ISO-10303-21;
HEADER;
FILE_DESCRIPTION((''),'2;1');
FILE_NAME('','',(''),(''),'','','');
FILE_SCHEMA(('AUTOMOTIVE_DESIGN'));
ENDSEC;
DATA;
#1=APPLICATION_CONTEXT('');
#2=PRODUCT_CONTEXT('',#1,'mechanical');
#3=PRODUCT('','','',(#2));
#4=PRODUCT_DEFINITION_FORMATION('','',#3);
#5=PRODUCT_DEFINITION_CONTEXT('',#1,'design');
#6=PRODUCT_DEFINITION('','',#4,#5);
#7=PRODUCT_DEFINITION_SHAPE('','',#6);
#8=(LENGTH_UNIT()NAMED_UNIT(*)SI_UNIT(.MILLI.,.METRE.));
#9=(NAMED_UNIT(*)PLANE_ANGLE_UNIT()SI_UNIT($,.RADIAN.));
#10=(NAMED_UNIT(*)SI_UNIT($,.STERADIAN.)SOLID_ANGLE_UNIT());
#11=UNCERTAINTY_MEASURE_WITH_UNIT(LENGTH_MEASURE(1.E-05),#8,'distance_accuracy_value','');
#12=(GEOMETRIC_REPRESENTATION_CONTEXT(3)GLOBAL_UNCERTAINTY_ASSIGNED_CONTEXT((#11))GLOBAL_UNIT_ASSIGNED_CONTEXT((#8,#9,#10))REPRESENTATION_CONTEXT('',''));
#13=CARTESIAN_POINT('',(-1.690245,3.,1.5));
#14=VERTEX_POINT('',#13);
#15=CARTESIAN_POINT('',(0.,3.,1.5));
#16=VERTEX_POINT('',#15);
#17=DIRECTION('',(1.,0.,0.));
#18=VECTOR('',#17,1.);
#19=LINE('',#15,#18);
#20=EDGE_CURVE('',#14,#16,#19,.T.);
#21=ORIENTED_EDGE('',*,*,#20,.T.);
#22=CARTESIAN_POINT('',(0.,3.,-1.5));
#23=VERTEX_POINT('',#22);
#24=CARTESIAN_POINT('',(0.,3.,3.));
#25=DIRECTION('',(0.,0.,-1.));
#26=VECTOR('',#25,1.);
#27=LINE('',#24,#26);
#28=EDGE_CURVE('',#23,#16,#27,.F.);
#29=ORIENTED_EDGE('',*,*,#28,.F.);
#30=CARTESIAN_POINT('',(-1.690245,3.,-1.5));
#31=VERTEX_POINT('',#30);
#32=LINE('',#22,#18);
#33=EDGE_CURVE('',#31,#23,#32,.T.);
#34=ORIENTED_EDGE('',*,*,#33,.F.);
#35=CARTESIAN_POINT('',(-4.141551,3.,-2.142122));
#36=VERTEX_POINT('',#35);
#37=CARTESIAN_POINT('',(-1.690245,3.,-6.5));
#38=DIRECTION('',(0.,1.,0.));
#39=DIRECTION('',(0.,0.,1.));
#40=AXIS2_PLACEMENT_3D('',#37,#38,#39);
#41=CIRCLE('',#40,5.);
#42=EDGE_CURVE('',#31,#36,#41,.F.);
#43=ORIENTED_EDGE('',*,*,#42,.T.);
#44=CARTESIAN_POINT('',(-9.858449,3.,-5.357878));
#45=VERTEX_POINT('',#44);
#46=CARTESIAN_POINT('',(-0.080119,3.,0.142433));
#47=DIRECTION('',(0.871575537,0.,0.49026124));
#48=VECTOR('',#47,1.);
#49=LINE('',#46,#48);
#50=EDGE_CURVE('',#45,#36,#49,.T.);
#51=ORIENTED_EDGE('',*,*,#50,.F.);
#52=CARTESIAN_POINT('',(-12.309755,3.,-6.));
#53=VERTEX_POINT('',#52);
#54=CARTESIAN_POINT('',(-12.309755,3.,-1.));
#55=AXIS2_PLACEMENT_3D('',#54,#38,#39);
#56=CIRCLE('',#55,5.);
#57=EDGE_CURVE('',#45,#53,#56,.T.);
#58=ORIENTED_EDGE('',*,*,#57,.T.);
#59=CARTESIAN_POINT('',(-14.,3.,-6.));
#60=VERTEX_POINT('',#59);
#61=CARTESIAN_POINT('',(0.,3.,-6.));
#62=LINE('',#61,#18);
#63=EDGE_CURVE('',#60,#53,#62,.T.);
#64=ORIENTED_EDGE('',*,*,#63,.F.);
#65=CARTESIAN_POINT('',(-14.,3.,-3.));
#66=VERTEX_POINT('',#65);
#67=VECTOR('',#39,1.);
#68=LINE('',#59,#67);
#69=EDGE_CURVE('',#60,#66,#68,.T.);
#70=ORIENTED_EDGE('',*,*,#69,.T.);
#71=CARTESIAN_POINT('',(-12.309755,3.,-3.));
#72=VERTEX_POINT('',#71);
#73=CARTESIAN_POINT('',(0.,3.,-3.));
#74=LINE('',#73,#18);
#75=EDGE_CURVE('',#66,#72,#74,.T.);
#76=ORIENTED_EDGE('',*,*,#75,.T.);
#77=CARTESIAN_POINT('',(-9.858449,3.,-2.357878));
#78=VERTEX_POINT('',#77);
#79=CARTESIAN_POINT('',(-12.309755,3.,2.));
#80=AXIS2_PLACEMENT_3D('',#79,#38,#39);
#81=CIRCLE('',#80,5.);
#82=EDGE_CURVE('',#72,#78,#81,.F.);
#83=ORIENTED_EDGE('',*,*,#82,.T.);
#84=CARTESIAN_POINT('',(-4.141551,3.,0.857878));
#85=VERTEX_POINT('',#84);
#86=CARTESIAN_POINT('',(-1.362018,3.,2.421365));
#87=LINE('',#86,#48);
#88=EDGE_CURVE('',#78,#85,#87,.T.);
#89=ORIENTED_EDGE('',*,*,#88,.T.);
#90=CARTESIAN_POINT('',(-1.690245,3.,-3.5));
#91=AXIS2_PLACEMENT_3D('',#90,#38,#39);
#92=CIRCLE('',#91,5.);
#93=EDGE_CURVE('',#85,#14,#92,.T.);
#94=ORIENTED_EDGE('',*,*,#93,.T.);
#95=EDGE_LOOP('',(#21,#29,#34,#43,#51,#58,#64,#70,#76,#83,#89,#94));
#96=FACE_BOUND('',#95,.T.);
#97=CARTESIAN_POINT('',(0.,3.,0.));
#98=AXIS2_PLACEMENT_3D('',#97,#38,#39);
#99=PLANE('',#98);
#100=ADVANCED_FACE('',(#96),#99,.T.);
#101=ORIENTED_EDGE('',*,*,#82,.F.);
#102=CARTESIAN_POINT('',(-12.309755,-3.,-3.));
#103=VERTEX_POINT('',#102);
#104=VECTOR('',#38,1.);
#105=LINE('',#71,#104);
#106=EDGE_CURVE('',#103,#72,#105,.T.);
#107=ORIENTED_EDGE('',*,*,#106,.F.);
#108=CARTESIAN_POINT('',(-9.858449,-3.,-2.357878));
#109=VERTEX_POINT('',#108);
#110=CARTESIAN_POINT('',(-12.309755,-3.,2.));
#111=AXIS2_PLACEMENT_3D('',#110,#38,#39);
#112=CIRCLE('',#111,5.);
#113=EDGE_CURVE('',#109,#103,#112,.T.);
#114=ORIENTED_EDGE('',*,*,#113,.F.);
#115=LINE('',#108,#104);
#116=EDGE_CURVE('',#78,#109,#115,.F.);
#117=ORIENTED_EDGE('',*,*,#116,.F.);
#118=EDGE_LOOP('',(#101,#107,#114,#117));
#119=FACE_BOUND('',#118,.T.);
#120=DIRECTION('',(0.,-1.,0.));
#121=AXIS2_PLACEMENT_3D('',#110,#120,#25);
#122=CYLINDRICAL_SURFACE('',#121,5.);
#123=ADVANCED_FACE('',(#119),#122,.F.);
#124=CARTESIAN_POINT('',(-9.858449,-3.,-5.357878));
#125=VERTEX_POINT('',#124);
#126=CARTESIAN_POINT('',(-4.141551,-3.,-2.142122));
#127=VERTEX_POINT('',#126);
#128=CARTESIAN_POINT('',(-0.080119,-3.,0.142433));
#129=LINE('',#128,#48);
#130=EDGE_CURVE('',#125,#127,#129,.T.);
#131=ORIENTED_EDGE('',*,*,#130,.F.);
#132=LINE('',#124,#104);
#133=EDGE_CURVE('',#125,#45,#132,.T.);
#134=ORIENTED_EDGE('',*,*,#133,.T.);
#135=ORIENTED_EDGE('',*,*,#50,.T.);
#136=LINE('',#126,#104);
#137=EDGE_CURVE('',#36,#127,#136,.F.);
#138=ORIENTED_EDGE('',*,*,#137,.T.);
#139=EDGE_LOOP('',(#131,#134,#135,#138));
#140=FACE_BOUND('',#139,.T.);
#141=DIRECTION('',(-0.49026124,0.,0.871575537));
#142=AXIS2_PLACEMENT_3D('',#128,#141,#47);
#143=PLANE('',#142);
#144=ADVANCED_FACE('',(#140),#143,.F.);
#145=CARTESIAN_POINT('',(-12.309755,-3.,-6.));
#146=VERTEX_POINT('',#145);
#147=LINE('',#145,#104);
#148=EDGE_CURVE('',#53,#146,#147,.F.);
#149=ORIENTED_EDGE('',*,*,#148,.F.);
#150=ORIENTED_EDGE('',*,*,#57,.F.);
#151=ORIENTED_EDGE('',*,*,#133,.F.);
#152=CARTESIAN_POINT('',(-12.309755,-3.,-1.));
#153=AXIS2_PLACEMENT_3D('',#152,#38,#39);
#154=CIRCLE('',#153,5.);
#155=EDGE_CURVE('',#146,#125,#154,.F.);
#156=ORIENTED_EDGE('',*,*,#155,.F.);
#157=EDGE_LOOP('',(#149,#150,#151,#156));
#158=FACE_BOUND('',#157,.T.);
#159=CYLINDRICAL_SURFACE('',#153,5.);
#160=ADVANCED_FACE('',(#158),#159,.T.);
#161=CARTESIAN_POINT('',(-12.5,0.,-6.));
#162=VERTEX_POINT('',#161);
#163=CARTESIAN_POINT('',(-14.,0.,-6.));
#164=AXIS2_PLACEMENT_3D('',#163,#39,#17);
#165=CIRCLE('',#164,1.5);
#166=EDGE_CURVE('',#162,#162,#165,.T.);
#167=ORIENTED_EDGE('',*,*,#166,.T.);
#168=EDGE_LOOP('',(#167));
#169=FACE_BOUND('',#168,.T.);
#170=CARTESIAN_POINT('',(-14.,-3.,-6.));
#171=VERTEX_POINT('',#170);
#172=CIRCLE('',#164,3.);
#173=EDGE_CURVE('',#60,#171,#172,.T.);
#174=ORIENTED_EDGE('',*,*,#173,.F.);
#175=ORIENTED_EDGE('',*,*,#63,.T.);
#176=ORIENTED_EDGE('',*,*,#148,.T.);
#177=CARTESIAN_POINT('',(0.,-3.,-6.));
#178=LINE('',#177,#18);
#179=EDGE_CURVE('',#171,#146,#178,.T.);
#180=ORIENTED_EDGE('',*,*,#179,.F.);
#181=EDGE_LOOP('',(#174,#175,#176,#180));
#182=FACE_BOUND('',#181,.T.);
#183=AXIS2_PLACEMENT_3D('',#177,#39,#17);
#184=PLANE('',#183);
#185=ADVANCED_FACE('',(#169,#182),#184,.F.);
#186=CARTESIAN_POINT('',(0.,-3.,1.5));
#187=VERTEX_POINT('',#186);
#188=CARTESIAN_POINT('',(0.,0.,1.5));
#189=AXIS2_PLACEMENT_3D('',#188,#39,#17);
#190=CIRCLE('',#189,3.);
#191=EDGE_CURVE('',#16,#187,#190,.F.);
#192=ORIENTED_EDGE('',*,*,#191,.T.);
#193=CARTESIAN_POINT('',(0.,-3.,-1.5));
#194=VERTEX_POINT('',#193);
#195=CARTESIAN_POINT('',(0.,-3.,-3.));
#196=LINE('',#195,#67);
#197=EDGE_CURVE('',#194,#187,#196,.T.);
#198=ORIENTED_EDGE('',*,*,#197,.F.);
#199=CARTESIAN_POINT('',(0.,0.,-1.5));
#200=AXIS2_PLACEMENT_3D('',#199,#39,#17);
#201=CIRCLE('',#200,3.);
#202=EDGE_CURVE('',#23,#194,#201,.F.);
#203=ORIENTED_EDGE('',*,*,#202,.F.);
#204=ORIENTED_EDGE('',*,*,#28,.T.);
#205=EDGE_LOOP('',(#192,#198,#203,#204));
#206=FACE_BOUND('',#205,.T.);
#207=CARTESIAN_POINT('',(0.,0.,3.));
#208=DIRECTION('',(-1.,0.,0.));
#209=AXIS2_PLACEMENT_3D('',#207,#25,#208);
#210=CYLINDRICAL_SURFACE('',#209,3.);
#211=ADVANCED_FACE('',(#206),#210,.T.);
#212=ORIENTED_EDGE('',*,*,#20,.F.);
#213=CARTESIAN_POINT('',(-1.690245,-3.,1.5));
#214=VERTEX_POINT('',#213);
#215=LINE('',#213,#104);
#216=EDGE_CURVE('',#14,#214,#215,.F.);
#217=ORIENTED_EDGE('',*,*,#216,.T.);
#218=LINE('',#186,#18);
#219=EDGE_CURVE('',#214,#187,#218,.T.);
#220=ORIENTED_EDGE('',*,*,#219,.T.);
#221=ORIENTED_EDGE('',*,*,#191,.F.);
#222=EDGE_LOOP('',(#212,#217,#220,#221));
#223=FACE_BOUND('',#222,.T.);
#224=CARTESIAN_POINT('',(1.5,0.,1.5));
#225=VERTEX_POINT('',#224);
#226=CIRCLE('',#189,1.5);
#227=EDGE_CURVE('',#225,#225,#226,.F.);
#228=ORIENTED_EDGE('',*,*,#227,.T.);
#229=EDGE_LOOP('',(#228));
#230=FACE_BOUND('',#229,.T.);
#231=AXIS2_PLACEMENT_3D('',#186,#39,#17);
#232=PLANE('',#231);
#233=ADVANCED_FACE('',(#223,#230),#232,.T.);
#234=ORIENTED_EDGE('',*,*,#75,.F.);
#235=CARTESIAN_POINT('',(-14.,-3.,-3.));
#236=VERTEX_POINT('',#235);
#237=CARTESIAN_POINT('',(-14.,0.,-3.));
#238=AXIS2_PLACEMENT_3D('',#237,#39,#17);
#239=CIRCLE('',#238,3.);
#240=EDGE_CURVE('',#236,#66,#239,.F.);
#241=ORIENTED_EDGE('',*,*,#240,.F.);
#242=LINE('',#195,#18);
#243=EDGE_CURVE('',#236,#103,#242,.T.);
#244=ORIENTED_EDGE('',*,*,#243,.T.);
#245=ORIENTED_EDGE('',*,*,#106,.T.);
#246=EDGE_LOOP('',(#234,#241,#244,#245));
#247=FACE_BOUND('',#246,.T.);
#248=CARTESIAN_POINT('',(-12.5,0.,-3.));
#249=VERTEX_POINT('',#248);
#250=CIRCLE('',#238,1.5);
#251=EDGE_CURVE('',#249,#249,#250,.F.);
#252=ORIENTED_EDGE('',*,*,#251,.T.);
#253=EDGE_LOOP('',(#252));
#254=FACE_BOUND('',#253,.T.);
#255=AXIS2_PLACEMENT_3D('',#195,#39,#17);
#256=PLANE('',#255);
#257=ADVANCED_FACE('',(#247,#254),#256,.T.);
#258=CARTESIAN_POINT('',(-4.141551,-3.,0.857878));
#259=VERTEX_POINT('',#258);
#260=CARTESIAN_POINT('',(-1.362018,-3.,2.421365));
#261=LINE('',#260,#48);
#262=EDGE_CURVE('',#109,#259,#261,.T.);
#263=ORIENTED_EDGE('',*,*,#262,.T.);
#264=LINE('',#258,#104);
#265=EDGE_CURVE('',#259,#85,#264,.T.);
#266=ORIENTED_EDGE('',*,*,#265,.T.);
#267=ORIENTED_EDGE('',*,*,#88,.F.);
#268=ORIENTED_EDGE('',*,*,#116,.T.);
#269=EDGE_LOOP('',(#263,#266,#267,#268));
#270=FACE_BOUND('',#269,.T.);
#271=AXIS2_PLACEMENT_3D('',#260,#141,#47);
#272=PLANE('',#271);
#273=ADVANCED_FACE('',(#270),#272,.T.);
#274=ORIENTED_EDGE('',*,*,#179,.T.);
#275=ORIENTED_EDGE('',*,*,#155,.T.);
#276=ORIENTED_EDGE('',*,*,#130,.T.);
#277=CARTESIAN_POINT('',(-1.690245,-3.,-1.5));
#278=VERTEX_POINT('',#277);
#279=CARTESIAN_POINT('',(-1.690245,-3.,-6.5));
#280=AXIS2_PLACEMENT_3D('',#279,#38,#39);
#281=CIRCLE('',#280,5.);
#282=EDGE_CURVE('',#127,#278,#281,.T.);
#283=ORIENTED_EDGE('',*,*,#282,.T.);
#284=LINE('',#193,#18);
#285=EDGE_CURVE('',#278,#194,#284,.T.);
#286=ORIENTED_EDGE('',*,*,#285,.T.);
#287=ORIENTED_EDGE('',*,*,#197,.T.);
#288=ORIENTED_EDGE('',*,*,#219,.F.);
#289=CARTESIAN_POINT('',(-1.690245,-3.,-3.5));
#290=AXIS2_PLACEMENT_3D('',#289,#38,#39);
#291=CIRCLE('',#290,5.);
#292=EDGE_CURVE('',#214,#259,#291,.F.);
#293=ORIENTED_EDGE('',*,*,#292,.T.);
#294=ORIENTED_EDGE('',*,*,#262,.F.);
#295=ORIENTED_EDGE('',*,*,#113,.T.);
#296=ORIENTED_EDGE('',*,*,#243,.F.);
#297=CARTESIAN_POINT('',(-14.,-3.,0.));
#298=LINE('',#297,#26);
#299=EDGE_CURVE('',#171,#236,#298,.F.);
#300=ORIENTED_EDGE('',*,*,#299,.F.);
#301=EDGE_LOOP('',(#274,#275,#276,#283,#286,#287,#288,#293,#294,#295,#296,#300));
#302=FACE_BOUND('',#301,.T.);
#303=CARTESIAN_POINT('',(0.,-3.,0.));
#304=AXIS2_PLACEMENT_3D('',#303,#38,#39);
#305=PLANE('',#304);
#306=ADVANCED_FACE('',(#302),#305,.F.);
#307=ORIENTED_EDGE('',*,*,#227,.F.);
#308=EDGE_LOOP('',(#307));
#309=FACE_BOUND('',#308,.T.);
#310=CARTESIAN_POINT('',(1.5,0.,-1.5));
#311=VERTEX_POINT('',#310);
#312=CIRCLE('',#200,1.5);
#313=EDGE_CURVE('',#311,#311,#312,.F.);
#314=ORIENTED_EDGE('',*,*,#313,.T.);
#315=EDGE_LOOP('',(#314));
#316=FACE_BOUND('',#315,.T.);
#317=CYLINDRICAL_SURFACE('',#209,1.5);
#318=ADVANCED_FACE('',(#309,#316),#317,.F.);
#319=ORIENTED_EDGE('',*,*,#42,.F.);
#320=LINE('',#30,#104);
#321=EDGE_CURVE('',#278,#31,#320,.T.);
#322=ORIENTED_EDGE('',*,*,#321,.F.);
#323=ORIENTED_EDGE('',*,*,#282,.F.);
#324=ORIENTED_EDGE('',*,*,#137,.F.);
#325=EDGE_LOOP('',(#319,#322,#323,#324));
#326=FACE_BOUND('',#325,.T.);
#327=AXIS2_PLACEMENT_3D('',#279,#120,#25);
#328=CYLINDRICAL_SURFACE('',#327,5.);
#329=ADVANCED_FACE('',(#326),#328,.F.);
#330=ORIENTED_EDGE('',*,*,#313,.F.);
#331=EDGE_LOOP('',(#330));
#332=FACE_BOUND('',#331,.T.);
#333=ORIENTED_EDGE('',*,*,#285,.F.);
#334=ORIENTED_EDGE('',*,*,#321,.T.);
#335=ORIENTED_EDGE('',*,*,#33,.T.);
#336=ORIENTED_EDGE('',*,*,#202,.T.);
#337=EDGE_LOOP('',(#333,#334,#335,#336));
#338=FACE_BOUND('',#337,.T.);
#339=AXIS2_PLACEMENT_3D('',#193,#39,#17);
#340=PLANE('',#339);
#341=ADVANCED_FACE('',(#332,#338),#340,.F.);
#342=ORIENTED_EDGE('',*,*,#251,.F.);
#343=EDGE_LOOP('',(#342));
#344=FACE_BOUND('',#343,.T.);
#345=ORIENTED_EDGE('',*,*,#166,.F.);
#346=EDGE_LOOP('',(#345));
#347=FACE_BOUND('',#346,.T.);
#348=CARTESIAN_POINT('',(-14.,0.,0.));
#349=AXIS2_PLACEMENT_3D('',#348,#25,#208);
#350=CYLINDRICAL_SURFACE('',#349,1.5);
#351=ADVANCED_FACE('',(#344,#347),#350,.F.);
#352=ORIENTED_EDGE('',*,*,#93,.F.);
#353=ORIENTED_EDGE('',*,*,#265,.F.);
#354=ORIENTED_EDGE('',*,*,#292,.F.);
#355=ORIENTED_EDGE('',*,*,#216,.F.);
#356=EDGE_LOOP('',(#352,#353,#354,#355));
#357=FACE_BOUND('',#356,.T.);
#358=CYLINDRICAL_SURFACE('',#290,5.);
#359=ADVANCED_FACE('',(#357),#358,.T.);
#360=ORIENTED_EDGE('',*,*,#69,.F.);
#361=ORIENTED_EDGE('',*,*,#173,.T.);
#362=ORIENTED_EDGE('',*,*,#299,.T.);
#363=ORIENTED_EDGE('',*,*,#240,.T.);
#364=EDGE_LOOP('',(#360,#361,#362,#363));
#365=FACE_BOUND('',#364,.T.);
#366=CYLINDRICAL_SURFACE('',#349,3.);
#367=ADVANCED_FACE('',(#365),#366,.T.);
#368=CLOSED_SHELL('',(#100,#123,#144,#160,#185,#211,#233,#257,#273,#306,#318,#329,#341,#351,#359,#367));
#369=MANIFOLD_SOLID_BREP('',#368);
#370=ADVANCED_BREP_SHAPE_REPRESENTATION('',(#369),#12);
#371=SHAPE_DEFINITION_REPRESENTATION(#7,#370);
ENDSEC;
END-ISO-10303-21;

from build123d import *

# Parameters (mm, degrees)
BOSS_EXTRUDE1_DEPTH      = 3
BOSS_EXTRUDE1_DEPTH_BACK = 3
CUT_EXTRUDE1_DEPTH       = 3
CUT_EXTRUDE1_DEPTH_BACK  = 3
SKETCH2_R                = 1.5
CUT_EXTRUDE3_DEPTH       = 3
CUT_EXTRUDE3_DEPTH_BACK  = 3
SKETCH4_R                = 1.5
FILLET1_R                = 5


with BuildPart() as part:
    # Sketch3 → Boss-Extrude1 (new, two sides: drawn at the far end of the back side and taken through both)
    with BuildSketch(Plane(origin=(0, 0, 0), x_dir=(1, 0, 0), z_dir=(0, 1, 0)).offset(-BOSS_EXTRUDE1_DEPTH_BACK)):
        Polygon((-3, -1.5), (3, -1.5), (3, 1.5), (-3, 1.5), (-11, 6), (-17, 6), (-17, 3), (-11, 3), align=None)
    extrude(amount=BOSS_EXTRUDE1_DEPTH + BOSS_EXTRUDE1_DEPTH_BACK)

    # Sketch2 → Cut-Extrude1 (cut, two sides: drawn at the far end of the back side and taken through both)
    with BuildSketch(Plane.XY.offset(-CUT_EXTRUDE1_DEPTH_BACK)):
        with BuildLine():
            ThreePointArc((0, 3), (2.121320344, 2.121320344), (3, 0))
            Line((3, 0), (3, 3))
            Line((3, 3), (0, 3))
        make_face()
        with BuildLine():
            ThreePointArc((3, 0), (2.121320338, -2.121320349), (-1.5e-08, -3))
            Line((-1.5e-08, -3), (3, -3))
            Line((3, -3), (3, 0))
        make_face()
        Circle(SKETCH2_R)
    extrude(amount=CUT_EXTRUDE1_DEPTH + CUT_EXTRUDE1_DEPTH_BACK, mode=Mode.SUBTRACT)

    # Sketch4 → Cut-Extrude3 (cut, two sides: drawn at the far end of the back side and taken through both)
    with BuildSketch(Plane.XY.offset(-3).offset(-CUT_EXTRUDE3_DEPTH_BACK)):
        with BuildLine():
            ThreePointArc((-14, -3), (-16.121320333, -2.121320355), (-17, -3.1e-08))
            Line((-17, -3.1e-08), (-17, -3))
            Line((-17, -3), (-14, -3))
        make_face()
        with BuildLine():
            ThreePointArc((-17, -3.1e-08), (-16.121320355, 2.121320333), (-14, 3))
            Line((-14, 3), (-17, 3))
            Line((-17, 3), (-17, -3.1e-08))
        make_face()
        with Locations((-14, 0)):
            Circle(SKETCH4_R)
    extrude(amount=CUT_EXTRUDE3_DEPTH + CUT_EXTRUDE3_DEPTH_BACK, mode=Mode.SUBTRACT)

    # Fillet1
    fillet1_edges = [part.edges().sort_by_distance(p)[0] for p in [
        (-3, 0, -1.5),
        (-3, 0, 1.5),
        (-11, 0, -3),
        (-11, 0, -6),
    ]]
    fillet(fillet1_edges, radius=FILLET1_R)


solid = part.part
